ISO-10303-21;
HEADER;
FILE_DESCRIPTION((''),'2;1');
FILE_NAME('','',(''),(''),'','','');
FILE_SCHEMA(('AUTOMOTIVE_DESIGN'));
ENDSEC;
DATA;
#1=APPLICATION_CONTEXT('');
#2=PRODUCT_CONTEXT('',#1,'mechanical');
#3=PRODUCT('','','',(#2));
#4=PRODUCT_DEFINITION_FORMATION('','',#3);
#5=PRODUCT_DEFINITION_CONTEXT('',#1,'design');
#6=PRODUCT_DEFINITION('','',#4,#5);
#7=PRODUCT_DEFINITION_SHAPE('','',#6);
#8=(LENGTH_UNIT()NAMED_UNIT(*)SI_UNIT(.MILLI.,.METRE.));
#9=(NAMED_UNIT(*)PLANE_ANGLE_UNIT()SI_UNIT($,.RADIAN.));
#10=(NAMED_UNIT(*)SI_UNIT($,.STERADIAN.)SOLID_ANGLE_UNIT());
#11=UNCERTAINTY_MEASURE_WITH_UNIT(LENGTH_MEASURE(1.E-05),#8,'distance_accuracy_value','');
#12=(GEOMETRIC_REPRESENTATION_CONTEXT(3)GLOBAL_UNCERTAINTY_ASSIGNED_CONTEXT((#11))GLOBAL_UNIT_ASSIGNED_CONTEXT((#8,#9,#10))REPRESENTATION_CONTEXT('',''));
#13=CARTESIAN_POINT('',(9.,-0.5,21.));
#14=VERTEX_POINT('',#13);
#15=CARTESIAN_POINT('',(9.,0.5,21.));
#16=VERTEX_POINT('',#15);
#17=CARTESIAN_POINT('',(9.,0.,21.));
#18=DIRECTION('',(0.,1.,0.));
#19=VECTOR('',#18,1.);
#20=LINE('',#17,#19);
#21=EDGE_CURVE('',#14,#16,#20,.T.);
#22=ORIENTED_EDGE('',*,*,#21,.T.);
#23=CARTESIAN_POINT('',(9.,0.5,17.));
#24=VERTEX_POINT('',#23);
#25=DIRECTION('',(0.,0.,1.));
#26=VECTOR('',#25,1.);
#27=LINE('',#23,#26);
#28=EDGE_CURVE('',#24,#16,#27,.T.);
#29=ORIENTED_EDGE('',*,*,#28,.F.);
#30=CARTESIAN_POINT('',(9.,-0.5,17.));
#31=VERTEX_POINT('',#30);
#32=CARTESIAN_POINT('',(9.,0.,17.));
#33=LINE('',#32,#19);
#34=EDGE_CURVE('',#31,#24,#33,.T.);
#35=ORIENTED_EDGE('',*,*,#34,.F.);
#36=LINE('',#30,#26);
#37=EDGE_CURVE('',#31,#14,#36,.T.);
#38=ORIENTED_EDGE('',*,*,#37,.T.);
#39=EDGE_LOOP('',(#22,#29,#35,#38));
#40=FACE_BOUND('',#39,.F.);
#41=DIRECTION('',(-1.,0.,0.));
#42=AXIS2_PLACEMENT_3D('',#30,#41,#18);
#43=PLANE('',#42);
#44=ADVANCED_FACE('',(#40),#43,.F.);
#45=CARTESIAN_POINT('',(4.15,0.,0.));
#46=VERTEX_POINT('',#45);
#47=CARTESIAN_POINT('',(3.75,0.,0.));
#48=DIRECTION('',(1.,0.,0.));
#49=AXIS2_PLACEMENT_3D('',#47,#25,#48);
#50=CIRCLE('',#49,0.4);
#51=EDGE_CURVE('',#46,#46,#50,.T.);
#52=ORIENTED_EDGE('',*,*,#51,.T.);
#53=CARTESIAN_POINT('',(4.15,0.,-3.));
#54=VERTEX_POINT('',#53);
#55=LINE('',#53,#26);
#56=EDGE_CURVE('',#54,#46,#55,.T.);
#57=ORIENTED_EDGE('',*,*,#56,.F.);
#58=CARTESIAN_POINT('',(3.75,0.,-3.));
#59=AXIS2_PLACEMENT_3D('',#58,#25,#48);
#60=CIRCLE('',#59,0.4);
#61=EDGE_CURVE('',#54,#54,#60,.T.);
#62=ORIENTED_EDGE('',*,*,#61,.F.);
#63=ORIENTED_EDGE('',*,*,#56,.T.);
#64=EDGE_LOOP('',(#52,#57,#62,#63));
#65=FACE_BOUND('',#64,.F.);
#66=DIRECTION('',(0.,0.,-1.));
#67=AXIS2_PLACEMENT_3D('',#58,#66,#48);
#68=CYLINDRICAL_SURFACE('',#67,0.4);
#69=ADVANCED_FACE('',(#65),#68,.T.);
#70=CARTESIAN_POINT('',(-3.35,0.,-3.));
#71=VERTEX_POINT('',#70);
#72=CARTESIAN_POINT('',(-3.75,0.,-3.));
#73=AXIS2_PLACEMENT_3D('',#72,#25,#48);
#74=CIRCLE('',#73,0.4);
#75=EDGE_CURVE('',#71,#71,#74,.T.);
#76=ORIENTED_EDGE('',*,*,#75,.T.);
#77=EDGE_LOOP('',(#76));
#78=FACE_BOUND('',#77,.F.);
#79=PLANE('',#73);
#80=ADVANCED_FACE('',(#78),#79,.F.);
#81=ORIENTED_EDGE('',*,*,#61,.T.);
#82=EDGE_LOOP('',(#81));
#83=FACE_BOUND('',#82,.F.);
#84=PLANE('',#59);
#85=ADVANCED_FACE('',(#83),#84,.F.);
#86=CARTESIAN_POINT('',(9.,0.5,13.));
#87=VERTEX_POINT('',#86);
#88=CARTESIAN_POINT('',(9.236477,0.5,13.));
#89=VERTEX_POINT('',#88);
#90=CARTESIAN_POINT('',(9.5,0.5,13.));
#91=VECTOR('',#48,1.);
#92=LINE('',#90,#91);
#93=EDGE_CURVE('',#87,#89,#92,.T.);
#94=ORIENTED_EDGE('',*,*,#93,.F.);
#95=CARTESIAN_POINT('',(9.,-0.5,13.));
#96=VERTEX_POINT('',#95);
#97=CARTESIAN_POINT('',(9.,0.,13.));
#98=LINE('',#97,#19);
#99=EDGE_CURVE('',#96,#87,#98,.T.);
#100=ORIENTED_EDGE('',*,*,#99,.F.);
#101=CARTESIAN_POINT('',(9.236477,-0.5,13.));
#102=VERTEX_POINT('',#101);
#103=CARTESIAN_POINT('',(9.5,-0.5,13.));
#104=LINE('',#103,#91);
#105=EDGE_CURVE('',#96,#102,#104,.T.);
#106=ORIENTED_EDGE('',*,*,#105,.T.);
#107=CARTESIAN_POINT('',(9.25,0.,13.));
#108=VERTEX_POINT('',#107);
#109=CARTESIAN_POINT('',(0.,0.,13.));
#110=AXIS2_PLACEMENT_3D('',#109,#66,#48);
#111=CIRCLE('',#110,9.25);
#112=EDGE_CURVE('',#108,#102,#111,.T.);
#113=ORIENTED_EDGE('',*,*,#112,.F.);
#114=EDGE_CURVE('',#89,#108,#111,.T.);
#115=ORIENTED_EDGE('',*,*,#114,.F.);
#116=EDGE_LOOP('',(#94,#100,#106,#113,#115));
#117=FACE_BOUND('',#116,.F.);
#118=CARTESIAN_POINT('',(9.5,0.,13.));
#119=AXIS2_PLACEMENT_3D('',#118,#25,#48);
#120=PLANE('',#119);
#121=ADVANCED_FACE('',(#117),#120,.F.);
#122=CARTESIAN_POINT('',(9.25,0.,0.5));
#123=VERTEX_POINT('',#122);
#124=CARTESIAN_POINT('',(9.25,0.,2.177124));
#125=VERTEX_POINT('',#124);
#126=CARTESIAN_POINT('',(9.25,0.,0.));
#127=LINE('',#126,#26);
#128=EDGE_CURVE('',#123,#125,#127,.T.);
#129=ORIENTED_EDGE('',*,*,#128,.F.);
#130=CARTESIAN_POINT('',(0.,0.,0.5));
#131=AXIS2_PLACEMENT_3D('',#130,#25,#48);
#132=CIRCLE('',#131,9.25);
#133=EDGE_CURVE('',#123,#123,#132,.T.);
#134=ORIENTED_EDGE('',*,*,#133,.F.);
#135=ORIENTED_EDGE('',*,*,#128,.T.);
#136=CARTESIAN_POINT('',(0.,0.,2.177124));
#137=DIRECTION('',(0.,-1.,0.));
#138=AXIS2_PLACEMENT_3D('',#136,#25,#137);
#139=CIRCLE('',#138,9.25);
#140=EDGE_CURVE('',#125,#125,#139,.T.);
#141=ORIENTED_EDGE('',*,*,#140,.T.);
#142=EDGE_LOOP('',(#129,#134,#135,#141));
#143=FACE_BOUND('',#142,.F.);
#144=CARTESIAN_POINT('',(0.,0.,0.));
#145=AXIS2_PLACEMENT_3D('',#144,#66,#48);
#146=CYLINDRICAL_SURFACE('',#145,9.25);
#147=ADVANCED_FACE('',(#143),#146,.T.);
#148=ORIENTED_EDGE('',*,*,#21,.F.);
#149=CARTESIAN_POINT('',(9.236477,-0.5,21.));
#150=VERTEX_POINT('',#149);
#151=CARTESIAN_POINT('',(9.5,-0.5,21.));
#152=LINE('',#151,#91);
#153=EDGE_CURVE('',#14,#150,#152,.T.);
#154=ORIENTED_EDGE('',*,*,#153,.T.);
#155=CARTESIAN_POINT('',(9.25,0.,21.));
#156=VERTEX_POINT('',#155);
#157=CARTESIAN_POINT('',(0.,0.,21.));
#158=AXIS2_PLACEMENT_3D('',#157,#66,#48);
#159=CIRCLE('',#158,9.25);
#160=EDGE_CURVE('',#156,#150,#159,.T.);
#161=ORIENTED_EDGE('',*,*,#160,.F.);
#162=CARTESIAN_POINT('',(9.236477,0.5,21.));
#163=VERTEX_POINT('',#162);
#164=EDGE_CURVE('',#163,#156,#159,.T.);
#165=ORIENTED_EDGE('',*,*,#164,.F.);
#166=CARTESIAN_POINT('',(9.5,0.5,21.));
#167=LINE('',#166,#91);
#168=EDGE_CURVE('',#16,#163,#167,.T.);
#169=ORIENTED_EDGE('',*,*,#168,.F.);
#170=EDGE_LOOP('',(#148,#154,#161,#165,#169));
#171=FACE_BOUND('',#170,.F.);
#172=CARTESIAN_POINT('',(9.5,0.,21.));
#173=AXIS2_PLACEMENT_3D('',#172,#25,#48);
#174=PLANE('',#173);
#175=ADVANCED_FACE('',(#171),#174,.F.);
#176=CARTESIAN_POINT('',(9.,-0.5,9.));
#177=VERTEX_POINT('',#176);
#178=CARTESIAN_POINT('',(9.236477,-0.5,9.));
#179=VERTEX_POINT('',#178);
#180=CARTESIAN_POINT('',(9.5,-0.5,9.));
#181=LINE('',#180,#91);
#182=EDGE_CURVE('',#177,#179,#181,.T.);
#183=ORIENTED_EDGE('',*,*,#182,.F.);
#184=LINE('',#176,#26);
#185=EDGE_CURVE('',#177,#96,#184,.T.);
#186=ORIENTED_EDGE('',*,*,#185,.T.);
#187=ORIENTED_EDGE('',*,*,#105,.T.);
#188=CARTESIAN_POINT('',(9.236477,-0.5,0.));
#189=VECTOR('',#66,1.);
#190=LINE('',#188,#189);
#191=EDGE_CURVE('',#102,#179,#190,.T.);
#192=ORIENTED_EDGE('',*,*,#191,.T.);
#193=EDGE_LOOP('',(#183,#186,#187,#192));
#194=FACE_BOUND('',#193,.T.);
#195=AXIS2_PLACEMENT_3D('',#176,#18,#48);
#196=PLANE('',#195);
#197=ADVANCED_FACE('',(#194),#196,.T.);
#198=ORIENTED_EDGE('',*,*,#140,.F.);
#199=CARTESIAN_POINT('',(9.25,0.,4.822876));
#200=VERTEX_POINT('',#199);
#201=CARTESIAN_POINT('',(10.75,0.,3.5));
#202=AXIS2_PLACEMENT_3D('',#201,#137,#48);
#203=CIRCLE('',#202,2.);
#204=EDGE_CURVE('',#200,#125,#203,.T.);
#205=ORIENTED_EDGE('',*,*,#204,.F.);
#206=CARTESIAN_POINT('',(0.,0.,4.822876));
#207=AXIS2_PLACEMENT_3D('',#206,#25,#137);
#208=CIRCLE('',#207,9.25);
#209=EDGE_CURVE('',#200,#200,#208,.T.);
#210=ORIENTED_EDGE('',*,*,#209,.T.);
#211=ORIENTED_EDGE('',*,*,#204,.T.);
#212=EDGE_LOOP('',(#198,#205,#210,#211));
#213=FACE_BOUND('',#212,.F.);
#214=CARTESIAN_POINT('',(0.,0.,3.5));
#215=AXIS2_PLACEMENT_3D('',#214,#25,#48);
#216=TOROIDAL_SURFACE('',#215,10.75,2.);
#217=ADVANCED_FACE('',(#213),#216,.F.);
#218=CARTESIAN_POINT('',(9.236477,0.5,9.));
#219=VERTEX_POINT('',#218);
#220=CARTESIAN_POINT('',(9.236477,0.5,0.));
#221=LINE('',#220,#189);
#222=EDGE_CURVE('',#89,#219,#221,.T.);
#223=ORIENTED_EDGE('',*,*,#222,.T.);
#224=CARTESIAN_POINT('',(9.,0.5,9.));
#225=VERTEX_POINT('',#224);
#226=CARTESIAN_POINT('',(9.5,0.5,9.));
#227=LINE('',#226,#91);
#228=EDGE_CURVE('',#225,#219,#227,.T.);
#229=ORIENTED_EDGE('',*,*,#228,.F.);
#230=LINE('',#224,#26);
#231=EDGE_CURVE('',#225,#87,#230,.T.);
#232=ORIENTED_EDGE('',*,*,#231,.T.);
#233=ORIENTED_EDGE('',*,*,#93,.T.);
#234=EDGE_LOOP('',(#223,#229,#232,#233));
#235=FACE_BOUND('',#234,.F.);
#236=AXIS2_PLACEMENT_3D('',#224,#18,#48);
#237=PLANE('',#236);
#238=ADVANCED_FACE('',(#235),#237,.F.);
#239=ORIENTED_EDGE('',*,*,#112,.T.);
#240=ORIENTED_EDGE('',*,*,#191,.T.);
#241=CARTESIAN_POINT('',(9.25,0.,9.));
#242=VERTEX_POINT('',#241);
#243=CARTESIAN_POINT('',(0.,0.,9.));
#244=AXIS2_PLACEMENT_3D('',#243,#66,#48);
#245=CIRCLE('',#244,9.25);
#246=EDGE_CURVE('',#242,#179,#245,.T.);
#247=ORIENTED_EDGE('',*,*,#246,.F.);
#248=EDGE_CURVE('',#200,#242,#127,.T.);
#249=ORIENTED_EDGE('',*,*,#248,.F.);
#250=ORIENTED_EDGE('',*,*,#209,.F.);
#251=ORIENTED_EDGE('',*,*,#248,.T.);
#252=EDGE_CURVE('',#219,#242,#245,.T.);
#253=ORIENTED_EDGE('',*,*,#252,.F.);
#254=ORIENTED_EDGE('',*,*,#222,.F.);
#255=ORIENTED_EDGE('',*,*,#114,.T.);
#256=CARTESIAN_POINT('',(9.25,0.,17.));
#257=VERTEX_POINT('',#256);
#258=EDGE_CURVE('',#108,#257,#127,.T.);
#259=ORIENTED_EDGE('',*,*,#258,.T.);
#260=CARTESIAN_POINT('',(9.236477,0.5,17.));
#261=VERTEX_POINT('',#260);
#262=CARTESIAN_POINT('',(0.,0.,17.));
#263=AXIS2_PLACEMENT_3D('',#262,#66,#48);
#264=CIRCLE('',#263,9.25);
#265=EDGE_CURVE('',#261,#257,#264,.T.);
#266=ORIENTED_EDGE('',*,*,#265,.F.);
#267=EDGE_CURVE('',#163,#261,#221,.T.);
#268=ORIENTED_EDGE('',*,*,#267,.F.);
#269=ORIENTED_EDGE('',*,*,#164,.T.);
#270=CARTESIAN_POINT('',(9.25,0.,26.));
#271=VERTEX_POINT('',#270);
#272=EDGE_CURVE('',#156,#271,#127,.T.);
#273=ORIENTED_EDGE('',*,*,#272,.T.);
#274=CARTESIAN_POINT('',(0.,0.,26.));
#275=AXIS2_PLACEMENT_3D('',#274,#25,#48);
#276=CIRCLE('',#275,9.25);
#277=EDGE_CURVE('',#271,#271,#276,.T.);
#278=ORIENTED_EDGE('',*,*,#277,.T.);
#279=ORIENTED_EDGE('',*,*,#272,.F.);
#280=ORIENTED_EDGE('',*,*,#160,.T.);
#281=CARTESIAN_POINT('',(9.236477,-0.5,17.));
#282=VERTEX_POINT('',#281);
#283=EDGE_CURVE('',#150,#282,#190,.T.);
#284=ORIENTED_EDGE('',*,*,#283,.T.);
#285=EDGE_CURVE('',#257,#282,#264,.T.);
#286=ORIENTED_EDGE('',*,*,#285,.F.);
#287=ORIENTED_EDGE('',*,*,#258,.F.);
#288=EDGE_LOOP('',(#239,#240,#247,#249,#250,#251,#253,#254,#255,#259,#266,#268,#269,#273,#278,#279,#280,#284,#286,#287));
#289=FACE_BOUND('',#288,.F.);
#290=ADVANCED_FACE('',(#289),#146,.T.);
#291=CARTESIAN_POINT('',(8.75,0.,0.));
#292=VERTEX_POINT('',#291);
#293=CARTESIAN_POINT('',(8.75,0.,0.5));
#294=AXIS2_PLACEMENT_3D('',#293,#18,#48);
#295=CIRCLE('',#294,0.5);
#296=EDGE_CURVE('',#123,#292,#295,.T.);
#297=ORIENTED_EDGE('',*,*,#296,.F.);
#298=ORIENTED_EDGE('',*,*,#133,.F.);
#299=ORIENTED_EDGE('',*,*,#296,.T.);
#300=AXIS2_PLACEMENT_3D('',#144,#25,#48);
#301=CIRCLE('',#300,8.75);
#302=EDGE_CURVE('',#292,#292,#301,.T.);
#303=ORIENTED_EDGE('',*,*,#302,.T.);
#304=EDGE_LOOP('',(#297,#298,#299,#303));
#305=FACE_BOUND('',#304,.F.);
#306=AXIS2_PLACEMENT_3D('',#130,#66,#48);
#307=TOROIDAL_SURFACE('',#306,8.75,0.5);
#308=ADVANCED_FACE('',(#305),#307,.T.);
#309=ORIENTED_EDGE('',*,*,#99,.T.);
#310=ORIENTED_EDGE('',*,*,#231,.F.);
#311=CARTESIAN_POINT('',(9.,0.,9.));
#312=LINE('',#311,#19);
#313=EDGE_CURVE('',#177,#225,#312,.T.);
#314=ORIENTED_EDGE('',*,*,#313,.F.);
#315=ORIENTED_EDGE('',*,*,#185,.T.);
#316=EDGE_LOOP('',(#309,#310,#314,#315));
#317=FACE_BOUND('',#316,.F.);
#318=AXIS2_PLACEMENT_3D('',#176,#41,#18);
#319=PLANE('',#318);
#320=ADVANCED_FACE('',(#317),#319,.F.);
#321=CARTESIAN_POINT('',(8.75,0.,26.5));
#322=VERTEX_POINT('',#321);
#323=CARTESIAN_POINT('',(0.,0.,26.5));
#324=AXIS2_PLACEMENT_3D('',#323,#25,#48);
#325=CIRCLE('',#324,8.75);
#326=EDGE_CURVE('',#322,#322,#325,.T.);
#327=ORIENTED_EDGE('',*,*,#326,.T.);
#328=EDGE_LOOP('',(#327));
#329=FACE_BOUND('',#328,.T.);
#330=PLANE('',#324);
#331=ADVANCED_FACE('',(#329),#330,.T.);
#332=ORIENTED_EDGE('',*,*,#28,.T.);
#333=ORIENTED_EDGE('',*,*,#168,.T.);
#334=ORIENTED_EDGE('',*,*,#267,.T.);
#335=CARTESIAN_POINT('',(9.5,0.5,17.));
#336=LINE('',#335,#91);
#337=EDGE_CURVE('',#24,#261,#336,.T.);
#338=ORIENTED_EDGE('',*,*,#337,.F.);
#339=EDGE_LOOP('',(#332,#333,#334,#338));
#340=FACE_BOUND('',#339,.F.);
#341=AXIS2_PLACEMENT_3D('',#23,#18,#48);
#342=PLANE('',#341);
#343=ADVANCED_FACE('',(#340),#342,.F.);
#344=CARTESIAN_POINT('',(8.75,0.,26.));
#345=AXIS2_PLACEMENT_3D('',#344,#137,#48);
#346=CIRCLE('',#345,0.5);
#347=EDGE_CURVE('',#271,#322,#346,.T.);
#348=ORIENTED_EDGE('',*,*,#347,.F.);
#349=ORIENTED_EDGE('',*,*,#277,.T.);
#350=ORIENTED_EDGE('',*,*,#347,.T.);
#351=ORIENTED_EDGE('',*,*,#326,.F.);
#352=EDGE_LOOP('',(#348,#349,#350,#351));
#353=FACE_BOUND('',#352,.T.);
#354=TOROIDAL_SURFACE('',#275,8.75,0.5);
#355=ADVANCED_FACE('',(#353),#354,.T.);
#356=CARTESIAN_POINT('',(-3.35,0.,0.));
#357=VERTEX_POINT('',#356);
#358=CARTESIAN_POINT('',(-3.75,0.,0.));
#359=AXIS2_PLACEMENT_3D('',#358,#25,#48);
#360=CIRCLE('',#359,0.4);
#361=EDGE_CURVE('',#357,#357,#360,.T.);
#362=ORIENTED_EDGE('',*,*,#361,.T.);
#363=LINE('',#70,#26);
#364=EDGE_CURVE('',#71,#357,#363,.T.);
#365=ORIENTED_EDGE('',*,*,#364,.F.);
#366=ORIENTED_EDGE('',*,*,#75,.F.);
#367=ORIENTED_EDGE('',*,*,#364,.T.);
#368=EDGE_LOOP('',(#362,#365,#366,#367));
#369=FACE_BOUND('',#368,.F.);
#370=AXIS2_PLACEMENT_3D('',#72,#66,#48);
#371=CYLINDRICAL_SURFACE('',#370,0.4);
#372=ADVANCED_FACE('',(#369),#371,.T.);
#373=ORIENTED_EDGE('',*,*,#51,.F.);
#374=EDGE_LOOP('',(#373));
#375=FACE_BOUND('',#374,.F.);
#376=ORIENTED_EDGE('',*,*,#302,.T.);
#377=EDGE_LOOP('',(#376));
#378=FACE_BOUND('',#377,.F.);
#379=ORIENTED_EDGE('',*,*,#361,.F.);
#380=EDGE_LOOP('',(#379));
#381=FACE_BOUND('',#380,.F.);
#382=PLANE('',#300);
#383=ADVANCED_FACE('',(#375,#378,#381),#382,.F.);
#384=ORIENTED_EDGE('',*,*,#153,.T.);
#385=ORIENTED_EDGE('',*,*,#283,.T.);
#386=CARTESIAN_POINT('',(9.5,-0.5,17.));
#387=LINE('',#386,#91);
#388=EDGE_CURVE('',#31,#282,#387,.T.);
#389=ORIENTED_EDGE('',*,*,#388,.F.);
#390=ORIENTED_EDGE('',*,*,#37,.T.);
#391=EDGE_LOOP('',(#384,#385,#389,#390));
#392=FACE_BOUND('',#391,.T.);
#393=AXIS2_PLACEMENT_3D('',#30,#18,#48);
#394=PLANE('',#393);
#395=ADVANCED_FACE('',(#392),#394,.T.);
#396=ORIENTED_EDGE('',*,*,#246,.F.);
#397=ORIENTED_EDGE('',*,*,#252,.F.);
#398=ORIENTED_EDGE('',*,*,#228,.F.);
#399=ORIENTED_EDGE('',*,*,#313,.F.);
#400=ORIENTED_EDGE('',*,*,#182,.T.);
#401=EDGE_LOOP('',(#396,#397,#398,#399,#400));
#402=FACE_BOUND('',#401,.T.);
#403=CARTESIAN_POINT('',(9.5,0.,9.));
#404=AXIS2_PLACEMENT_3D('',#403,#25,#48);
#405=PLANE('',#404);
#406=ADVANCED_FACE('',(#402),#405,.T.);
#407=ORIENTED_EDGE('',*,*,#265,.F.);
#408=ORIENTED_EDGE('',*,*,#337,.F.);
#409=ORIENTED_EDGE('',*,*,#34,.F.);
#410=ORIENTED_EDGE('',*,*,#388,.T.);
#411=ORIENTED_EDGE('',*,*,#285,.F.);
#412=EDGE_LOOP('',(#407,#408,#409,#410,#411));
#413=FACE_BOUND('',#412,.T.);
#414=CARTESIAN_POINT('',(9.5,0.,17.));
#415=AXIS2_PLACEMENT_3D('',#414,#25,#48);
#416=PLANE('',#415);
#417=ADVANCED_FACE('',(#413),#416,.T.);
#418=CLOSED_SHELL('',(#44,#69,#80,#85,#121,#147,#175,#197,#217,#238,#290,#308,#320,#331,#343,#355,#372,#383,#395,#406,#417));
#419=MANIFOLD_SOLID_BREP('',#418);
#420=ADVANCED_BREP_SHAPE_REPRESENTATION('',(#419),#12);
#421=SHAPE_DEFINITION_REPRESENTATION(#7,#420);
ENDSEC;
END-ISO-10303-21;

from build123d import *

# Parameters (mm, degrees)
CYLINDER002_R     = 0.4
CYLINDER002_DEPTH = 3
CYLINDER001_R     = 0.4
CYLINDER001_DEPTH = 3
BOX001_W          = 1
BOX001_H          = 1
BOX001_DEPTH      = 4
BOX_W             = 1
BOX_H             = 1
BOX_DEPTH         = 4
TORUS_R           = 2
CYLINDER_R        = 9.25
CYLINDER_DEPTH    = 26.5
FILLET_R          = 0.5


with BuildPart() as pin2:
    # Cylinder002 → Cylinder002 (new body)
    with BuildSketch(Plane(origin=(3.75, 0, -3), x_dir=(1, 0, 0), z_dir=(0, 0, 1))):
        Circle(CYLINDER002_R)
    extrude(amount=CYLINDER002_DEPTH)


with BuildPart() as pin1:
    # Cylinder001 → Cylinder001 (new body)
    with BuildSketch(Plane(origin=(-3.75, 0, -3), x_dir=(1, 0, 0), z_dir=(0, 0, 1))):
        Circle(CYLINDER001_R)
    extrude(amount=CYLINDER001_DEPTH)


with BuildPart() as box001:
    # Box001 → Box001 (new body)
    with BuildSketch(Plane(origin=(9, -0.5, 17), x_dir=(1, 0, 0), z_dir=(0, 0, 1))):
        with Locations((0.5, 0.5)):
            Rectangle(BOX001_W, BOX001_H)
    extrude(amount=BOX001_DEPTH)


with BuildPart() as box:
    # Box → Box (new body)
    with BuildSketch(Plane(origin=(9, -0.5, 9), x_dir=(1, 0, 0), z_dir=(0, 0, 1))):
        with Locations((0.5, 0.5)):
            Rectangle(BOX_W, BOX_H)
    extrude(amount=BOX_DEPTH)


with BuildPart() as ring:
    # Torus → Torus (revolve)
    with BuildSketch(Plane(origin=(0, 0, 3.5), x_dir=(1, 0, 0), z_dir=(0, -1, 0))):
        with Locations((10.75, 0)):
            Circle(TORUS_R)
    revolve(axis=Axis((0, 0, 3.5), (0, 0, 1)))


with BuildPart() as cappr750w80d1800h2500:
    # Cylinder → Cylinder (new body)
    with BuildSketch(Plane.XY):
        Circle(CYLINDER_R)
    extrude(amount=CYLINDER_DEPTH)

    # Fillet
    fillet_edges = [cappr750w80d1800h2500.edges().sort_by_distance(p)[0] for p in [
        (-9.25, 0, 26.5),
        (-9.25, 0, 0),
    ]]
    fillet(fillet_edges, radius=FILLET_R)

    # Cut: cut Ring
    add(ring.part, mode=Mode.SUBTRACT)

    # Cut001: cut Box
    add(box.part, mode=Mode.SUBTRACT)

    # Cut002: cut Box001
    add(box001.part, mode=Mode.SUBTRACT)

    # Fusion: union Pin1+
    add(pin1.part)

    # Fusion001: union Pin2-
    add(pin2.part)


solid = cappr750w80d1800h2500.part
